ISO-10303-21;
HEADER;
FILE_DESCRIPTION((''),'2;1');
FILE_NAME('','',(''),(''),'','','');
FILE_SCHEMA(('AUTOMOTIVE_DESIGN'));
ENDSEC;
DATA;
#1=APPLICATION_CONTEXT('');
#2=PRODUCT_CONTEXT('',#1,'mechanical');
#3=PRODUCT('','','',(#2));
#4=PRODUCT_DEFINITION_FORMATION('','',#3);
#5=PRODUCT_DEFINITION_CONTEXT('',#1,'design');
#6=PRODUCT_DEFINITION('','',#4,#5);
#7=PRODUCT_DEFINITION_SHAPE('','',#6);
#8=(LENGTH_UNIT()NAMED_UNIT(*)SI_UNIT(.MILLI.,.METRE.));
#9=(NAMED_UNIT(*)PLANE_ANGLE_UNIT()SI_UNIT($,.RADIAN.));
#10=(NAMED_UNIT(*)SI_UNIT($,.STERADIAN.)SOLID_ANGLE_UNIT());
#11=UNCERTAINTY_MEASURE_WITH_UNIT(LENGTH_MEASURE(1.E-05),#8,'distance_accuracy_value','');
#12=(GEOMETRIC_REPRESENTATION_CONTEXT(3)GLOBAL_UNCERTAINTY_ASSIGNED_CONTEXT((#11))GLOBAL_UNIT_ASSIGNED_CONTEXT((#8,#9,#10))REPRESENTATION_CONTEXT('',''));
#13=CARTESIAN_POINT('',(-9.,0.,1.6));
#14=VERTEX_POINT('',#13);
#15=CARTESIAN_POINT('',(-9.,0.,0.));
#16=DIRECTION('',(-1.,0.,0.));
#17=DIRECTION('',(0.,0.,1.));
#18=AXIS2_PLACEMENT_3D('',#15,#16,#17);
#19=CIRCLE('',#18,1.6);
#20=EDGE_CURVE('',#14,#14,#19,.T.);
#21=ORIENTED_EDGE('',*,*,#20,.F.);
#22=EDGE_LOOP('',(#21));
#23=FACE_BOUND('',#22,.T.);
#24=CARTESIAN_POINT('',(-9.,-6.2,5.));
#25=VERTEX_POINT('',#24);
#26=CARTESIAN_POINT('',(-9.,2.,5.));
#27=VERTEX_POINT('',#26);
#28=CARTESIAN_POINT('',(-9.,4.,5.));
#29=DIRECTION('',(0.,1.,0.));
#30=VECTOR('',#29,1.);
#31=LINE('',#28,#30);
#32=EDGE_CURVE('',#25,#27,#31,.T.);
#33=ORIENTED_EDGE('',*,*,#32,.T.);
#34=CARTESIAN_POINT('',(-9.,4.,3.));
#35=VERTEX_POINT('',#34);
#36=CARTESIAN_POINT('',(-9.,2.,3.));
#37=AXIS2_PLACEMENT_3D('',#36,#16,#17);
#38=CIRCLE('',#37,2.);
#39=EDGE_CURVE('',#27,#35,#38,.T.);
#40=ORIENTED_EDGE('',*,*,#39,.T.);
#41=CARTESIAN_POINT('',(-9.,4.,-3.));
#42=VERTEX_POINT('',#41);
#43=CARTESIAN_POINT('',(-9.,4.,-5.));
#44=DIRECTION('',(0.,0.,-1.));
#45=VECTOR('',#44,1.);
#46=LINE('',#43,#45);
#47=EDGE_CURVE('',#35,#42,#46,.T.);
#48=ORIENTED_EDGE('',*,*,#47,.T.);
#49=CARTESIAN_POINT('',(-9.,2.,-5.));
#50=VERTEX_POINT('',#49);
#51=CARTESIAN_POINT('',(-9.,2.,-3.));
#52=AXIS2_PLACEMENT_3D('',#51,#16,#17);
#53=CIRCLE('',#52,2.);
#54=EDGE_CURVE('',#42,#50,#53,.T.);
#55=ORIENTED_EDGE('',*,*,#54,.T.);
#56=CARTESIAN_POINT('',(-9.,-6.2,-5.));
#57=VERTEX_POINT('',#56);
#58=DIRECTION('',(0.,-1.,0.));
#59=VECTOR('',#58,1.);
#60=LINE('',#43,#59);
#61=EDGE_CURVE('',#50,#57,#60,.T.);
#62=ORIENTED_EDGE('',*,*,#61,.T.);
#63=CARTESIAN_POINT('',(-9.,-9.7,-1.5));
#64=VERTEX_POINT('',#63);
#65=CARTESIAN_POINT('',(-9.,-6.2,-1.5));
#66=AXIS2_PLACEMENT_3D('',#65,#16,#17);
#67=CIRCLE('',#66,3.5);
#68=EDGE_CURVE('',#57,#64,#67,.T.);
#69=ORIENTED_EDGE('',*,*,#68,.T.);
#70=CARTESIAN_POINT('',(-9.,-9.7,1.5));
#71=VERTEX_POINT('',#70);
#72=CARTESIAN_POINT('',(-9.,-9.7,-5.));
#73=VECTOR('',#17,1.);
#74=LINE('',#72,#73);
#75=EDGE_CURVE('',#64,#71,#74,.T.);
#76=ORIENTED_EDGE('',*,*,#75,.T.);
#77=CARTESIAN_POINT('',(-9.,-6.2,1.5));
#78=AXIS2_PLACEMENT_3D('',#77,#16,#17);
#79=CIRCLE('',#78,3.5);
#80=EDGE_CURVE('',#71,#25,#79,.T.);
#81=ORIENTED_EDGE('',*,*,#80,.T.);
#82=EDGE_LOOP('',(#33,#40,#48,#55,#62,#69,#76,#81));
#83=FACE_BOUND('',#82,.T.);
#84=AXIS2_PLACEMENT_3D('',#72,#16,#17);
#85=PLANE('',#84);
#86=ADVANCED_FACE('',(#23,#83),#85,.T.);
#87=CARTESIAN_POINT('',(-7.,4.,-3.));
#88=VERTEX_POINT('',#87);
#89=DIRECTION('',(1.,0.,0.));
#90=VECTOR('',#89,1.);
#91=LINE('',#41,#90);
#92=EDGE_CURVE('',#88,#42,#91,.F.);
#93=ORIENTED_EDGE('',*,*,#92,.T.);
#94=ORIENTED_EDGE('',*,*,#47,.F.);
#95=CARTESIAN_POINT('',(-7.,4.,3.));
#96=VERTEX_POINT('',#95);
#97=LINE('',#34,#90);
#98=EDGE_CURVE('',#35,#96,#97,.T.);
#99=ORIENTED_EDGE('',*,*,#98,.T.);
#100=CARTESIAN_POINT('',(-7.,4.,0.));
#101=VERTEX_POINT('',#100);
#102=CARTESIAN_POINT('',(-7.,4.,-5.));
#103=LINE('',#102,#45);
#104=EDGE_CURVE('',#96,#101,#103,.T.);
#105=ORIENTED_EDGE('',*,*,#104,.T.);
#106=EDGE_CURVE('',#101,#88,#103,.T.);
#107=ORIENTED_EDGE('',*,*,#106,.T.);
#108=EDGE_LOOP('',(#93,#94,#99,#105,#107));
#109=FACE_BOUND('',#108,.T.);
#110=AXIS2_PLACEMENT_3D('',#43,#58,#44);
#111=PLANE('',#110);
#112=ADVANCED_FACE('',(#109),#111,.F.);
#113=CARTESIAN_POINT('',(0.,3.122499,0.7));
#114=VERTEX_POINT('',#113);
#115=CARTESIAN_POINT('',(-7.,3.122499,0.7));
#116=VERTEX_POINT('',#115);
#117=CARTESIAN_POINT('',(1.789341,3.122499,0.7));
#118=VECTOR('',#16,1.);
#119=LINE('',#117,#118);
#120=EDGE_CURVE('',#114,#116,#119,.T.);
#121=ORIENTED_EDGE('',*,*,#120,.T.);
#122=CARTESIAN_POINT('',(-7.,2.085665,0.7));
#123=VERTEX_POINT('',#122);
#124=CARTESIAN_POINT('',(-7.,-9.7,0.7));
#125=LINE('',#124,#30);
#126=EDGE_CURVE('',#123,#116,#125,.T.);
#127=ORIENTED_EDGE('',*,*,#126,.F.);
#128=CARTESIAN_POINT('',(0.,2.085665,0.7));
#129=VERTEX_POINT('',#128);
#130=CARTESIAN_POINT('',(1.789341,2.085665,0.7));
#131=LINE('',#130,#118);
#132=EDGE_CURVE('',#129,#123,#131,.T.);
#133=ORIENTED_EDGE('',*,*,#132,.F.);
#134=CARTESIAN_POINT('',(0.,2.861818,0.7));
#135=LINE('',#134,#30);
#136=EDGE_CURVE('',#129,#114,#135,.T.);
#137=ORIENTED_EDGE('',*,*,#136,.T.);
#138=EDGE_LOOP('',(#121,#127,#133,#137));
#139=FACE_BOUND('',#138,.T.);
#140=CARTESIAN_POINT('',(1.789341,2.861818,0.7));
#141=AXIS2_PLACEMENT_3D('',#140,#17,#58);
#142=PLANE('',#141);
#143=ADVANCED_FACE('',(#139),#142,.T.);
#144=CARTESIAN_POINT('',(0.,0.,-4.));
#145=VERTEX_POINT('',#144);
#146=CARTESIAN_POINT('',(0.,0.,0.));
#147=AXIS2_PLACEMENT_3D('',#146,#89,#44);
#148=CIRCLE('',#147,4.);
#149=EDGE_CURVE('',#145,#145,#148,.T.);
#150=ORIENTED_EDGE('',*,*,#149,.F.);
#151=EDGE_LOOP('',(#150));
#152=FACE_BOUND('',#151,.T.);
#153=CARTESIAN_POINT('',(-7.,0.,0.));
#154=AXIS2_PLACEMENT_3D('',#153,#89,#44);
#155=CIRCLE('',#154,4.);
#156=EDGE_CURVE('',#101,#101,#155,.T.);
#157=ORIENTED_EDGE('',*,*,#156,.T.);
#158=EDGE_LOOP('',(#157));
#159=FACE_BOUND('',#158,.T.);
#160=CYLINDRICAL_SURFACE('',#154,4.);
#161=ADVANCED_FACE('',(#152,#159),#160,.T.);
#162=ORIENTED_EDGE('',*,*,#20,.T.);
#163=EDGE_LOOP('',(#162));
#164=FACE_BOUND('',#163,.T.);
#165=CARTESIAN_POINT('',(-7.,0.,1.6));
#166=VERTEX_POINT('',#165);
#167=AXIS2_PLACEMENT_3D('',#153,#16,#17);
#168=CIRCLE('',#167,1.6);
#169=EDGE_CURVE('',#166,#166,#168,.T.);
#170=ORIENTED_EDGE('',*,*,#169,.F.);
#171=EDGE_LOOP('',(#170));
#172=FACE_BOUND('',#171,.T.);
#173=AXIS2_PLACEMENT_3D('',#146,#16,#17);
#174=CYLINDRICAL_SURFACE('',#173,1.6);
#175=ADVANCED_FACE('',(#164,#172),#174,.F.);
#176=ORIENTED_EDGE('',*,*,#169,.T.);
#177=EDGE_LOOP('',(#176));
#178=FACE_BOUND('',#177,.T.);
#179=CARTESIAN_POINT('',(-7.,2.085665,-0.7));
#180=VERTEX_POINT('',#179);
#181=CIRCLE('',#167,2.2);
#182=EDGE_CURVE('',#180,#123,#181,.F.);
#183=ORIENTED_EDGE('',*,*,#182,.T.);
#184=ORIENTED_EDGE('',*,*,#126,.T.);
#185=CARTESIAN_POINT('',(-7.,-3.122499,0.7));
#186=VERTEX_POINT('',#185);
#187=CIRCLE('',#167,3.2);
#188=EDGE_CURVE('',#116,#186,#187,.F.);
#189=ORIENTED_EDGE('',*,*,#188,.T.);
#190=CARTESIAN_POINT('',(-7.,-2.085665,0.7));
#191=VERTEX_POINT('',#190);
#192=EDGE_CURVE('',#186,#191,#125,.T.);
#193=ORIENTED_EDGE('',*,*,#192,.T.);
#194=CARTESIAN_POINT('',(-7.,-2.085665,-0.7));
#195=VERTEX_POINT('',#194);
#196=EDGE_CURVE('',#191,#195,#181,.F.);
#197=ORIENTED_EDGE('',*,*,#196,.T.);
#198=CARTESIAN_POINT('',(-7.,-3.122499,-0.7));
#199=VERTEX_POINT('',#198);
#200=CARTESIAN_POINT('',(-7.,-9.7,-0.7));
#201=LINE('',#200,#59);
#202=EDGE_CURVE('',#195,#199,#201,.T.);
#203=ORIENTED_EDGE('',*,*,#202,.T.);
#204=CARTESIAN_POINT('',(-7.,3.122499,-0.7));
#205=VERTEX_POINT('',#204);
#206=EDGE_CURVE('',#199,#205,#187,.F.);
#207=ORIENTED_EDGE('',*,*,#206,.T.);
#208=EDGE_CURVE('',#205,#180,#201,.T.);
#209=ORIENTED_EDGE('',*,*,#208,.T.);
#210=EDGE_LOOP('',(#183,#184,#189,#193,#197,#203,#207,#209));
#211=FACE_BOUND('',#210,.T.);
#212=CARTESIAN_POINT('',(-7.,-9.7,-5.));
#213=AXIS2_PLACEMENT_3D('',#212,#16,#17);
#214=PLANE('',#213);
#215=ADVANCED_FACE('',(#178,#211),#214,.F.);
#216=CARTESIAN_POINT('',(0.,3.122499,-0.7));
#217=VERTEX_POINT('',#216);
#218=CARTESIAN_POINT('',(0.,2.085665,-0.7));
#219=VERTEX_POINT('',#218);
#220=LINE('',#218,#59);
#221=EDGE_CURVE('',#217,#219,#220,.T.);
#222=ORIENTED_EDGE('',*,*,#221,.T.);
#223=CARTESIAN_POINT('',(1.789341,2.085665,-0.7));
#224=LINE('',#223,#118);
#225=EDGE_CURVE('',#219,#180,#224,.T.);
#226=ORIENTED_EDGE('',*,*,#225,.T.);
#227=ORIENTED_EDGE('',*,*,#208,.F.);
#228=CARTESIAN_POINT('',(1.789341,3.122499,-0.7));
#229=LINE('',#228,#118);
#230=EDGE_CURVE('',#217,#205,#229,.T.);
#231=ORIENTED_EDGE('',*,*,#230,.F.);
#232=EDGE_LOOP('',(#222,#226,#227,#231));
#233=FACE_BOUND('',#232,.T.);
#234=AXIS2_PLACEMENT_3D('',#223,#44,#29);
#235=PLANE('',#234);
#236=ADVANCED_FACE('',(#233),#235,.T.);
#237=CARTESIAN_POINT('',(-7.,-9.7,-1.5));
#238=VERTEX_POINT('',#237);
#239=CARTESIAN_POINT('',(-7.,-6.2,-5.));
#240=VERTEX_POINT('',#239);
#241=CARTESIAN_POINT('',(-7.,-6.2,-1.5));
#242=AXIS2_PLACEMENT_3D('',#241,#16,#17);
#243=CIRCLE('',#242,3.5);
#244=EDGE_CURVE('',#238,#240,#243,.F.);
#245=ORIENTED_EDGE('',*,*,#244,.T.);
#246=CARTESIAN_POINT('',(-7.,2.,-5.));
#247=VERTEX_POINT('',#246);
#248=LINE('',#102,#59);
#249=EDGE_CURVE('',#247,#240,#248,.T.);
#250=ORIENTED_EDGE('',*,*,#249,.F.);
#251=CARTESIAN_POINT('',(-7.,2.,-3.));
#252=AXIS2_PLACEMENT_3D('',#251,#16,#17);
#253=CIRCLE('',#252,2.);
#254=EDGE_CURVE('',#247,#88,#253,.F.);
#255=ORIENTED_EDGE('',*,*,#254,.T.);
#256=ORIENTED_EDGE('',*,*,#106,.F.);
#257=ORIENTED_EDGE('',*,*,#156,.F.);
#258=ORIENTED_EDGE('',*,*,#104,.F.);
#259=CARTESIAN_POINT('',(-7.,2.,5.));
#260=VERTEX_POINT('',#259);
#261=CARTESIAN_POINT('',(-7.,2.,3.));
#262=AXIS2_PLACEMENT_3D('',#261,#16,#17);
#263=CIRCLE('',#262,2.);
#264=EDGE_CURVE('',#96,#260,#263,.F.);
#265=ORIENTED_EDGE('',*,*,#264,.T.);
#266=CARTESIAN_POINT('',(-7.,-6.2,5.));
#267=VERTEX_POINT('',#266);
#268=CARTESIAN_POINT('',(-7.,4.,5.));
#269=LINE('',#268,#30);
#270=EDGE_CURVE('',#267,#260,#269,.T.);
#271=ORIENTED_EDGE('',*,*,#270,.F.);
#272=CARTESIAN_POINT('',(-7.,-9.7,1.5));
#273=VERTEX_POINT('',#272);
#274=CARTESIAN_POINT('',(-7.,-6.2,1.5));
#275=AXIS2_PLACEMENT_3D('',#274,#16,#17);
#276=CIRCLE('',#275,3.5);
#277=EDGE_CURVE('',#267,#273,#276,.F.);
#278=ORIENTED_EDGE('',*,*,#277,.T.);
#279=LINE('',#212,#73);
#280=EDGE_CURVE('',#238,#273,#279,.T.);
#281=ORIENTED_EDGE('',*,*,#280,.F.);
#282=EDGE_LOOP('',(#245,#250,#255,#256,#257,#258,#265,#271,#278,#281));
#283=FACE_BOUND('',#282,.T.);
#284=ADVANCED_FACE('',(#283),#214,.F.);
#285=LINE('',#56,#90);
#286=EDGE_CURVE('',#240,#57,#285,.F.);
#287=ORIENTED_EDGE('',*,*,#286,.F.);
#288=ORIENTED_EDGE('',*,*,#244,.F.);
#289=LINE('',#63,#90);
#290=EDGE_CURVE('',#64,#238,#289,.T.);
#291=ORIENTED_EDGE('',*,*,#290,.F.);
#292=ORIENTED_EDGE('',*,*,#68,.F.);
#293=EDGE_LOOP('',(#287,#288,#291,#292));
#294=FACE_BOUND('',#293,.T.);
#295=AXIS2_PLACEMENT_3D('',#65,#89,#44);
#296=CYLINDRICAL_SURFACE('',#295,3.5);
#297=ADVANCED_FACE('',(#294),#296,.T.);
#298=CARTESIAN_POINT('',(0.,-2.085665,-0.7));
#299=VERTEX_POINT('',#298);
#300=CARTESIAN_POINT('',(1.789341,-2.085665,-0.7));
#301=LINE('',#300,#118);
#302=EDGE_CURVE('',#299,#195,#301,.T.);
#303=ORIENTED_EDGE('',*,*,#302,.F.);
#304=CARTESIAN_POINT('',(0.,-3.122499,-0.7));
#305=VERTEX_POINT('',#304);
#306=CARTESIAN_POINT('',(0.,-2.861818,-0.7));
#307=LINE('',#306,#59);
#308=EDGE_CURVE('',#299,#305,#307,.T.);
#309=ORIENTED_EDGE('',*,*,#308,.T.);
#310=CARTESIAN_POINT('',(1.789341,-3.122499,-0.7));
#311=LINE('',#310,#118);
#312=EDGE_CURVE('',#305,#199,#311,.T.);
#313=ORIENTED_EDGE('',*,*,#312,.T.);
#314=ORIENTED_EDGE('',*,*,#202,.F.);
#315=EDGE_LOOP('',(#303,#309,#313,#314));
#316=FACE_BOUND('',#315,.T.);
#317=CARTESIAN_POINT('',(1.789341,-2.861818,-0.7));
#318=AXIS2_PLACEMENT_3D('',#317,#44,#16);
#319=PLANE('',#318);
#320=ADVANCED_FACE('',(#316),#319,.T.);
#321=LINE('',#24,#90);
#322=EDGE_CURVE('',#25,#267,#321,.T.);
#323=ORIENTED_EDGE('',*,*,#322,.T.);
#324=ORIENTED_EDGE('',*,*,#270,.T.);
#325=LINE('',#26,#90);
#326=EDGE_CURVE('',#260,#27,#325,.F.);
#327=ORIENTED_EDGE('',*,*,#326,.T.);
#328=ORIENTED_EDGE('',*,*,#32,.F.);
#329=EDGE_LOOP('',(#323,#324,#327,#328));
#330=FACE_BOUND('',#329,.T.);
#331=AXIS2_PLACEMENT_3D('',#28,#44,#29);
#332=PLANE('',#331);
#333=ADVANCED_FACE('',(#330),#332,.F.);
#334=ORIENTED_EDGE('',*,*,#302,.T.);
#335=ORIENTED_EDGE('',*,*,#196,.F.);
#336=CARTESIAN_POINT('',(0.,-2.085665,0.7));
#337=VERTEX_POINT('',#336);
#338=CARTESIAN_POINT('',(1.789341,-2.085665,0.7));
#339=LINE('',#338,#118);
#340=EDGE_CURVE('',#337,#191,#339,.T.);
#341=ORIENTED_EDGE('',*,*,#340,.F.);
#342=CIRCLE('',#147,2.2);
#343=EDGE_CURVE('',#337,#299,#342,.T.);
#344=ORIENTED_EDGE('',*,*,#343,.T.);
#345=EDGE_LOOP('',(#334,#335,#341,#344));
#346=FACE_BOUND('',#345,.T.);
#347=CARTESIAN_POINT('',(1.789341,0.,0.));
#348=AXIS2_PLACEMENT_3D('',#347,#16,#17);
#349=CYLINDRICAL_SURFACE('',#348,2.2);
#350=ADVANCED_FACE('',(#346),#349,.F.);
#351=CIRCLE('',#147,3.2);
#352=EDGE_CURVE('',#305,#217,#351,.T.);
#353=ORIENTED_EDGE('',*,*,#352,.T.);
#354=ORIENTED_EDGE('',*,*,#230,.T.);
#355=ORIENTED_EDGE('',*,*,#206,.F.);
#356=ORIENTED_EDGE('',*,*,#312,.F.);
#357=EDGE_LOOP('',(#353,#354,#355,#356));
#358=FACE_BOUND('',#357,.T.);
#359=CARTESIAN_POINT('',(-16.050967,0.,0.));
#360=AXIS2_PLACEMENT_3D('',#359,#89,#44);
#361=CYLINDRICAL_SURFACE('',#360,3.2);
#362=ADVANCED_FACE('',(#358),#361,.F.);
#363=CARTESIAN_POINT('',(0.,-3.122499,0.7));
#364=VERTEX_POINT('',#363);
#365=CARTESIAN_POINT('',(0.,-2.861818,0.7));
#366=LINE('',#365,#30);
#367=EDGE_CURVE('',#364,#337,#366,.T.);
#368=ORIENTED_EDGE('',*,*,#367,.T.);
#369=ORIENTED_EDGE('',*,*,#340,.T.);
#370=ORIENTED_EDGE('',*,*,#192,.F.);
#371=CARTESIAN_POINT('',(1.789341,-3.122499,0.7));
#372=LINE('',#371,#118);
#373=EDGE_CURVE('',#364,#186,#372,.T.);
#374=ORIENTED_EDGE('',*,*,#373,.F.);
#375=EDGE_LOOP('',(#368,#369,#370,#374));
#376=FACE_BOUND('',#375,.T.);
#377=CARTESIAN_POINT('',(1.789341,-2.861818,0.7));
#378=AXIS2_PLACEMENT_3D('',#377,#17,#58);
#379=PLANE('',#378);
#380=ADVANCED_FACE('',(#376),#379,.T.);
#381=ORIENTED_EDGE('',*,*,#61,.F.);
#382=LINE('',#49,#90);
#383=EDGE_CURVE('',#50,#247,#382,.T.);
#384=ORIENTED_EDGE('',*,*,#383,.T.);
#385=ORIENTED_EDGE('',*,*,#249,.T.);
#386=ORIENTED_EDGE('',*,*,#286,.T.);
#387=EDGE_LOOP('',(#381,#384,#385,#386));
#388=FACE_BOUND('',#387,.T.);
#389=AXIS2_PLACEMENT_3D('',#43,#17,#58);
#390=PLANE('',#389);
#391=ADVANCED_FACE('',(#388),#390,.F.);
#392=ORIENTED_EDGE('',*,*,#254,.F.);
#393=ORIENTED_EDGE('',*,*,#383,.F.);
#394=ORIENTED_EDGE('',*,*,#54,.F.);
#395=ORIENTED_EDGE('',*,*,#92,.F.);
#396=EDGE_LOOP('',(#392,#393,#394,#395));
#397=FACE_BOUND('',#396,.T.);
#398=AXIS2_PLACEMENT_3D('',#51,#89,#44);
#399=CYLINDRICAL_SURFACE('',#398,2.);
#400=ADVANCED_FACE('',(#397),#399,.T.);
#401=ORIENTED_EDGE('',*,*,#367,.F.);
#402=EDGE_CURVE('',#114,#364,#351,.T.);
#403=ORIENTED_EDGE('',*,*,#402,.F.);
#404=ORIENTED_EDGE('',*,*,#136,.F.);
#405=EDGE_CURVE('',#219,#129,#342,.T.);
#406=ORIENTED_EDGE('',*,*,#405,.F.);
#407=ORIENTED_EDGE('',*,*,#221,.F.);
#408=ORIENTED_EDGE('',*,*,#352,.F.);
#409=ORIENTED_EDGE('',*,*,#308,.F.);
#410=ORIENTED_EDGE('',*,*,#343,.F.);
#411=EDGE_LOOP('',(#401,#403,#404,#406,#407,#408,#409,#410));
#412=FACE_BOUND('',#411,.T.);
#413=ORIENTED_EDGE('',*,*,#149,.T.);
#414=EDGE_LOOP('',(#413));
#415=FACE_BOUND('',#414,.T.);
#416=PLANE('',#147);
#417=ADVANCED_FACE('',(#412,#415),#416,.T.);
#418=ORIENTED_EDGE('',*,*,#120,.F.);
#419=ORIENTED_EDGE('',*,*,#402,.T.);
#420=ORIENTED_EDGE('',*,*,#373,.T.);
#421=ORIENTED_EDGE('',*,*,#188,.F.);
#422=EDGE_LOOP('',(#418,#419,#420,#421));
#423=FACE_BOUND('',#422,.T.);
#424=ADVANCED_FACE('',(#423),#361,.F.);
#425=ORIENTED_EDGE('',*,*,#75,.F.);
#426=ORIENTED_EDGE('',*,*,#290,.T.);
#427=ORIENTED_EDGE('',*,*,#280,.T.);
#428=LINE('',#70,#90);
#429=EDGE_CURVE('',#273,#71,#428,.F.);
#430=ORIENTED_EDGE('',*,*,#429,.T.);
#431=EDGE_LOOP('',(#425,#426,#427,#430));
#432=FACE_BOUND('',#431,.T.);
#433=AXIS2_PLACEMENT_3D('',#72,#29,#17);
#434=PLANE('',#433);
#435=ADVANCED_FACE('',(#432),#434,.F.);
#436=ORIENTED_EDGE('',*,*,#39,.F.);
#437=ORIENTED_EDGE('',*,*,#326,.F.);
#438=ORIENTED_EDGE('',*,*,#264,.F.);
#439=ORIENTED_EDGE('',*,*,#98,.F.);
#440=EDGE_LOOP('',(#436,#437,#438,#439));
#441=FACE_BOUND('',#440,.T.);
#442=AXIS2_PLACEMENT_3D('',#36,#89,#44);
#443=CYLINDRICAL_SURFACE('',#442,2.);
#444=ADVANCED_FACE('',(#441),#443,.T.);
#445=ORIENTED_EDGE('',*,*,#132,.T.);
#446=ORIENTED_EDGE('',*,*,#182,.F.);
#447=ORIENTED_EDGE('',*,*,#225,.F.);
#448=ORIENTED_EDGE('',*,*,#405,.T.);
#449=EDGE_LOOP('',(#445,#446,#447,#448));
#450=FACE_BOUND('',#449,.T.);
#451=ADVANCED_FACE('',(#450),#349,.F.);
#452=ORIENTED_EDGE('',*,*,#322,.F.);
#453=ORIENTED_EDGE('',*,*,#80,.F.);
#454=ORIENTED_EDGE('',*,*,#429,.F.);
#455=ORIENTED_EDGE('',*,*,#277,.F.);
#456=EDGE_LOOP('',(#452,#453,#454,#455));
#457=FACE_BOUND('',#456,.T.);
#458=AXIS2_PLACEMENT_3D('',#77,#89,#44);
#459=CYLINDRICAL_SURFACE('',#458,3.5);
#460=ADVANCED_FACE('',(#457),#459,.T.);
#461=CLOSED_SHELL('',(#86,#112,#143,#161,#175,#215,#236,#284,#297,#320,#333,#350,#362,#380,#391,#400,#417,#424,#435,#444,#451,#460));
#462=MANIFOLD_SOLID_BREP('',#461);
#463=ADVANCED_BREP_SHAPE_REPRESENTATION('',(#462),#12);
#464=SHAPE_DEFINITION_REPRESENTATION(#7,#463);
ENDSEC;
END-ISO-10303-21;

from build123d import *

# Parameters (mm, degrees)
SKETCH2_R           = 4
BOSS_EXTRUDE1_DEPTH = 7
SKETCH3_W           = 10
SKETCH3_H           = 13.7
BOSS_EXTRUDE2_DEPTH = 2
SKETCH4_R           = 3.2
CUT_EXTRUDE1_DEPTH  = 7
SKETCH7_R           = 1.6
CUT_EXTRUDE4_DEPTH  = 15.145317246
BOSS_EXTRUDE3_START = -9
BOSS_EXTRUDE3_DEPTH = 9
FILLET2_R           = 2
FILLET3_R           = 3.5


with BuildPart() as part:
    # Sketch2 → Boss-Extrude1 (new body)
    with BuildSketch(Plane(origin=(0, 0, 0), x_dir=(0, 0, -1), z_dir=(1, 0, 0))):
        Circle(SKETCH2_R)
    extrude(amount=-BOSS_EXTRUDE1_DEPTH)

    # Sketch3 → Boss-Extrude2 (add)
    with BuildSketch(Plane.ZY.offset(7)):
        with Locations((0, -2.85)):
            Rectangle(SKETCH3_W, SKETCH3_H)
    extrude(amount=BOSS_EXTRUDE2_DEPTH)

    # Sketch4 → Cut-Extrude1 (cut)
    with BuildSketch(Plane(origin=(0, 0, 0), x_dir=(0, 0, -1), z_dir=(1, 0, 0))):
        Circle(SKETCH4_R)
    extrude(amount=-CUT_EXTRUDE1_DEPTH, mode=Mode.SUBTRACT)

    # Sketch7 → Cut-Extrude4 (cut, through all)
    with BuildSketch(Plane.ZY.offset(9)):
        Circle(SKETCH7_R)
    extrude(amount=-CUT_EXTRUDE4_DEPTH, mode=Mode.SUBTRACT)

    # Sketch6 → Boss-Extrude3 (add)
    with BuildSketch(Plane.ZY.offset(9).offset(BOSS_EXTRUDE3_START)):
        with BuildLine():
            Line((0.7, -2.861817604), (0.7, -2.085665361))
            ThreePointArc((0.7, -2.085665361), (0, -2.2), (-0.7, -2.085665361))
            Line((-0.7, -2.085665361), (-0.7, -2.861817604))
            Line((-0.7, -2.861817604), (-0.7, -3.122498999))
            ThreePointArc((-0.7, -3.122498999), (0, -3.2), (0.7, -3.122498999))
            Line((0.7, -3.122498999), (0.7, -2.861817604))
        make_face()
        with BuildLine():
            Line((-0.7, 2.085665361), (-0.7, 2.861817604))
            Line((-0.7, 2.861817604), (-0.7, 3.122498999))
            ThreePointArc((-0.7, 3.122498999), (0, 3.2), (0.7, 3.122498999))
            Line((0.7, 3.122498999), (0.7, 2.861817604))
            Line((0.7, 2.861817604), (0.7, 2.085665361))
            ThreePointArc((0.7, 2.085665361), (0, 2.2), (-0.7, 2.085665361))
        make_face()
    extrude(amount=BOSS_EXTRUDE3_DEPTH)

    # Fillet2
    fillet2_edges = [part.edges().sort_by_distance(p)[0] for p in [
        (-8, 4, -5),
        (-8, 4, 5),
    ]]
    fillet(fillet2_edges, radius=FILLET2_R)

    # Fillet3
    fillet3_edges = [part.edges().sort_by_distance(p)[0] for p in [
        (-8, -9.7, -5),
        (-8, -9.7, 5),
    ]]
    fillet(fillet3_edges, radius=FILLET3_R)


solid = part.part
